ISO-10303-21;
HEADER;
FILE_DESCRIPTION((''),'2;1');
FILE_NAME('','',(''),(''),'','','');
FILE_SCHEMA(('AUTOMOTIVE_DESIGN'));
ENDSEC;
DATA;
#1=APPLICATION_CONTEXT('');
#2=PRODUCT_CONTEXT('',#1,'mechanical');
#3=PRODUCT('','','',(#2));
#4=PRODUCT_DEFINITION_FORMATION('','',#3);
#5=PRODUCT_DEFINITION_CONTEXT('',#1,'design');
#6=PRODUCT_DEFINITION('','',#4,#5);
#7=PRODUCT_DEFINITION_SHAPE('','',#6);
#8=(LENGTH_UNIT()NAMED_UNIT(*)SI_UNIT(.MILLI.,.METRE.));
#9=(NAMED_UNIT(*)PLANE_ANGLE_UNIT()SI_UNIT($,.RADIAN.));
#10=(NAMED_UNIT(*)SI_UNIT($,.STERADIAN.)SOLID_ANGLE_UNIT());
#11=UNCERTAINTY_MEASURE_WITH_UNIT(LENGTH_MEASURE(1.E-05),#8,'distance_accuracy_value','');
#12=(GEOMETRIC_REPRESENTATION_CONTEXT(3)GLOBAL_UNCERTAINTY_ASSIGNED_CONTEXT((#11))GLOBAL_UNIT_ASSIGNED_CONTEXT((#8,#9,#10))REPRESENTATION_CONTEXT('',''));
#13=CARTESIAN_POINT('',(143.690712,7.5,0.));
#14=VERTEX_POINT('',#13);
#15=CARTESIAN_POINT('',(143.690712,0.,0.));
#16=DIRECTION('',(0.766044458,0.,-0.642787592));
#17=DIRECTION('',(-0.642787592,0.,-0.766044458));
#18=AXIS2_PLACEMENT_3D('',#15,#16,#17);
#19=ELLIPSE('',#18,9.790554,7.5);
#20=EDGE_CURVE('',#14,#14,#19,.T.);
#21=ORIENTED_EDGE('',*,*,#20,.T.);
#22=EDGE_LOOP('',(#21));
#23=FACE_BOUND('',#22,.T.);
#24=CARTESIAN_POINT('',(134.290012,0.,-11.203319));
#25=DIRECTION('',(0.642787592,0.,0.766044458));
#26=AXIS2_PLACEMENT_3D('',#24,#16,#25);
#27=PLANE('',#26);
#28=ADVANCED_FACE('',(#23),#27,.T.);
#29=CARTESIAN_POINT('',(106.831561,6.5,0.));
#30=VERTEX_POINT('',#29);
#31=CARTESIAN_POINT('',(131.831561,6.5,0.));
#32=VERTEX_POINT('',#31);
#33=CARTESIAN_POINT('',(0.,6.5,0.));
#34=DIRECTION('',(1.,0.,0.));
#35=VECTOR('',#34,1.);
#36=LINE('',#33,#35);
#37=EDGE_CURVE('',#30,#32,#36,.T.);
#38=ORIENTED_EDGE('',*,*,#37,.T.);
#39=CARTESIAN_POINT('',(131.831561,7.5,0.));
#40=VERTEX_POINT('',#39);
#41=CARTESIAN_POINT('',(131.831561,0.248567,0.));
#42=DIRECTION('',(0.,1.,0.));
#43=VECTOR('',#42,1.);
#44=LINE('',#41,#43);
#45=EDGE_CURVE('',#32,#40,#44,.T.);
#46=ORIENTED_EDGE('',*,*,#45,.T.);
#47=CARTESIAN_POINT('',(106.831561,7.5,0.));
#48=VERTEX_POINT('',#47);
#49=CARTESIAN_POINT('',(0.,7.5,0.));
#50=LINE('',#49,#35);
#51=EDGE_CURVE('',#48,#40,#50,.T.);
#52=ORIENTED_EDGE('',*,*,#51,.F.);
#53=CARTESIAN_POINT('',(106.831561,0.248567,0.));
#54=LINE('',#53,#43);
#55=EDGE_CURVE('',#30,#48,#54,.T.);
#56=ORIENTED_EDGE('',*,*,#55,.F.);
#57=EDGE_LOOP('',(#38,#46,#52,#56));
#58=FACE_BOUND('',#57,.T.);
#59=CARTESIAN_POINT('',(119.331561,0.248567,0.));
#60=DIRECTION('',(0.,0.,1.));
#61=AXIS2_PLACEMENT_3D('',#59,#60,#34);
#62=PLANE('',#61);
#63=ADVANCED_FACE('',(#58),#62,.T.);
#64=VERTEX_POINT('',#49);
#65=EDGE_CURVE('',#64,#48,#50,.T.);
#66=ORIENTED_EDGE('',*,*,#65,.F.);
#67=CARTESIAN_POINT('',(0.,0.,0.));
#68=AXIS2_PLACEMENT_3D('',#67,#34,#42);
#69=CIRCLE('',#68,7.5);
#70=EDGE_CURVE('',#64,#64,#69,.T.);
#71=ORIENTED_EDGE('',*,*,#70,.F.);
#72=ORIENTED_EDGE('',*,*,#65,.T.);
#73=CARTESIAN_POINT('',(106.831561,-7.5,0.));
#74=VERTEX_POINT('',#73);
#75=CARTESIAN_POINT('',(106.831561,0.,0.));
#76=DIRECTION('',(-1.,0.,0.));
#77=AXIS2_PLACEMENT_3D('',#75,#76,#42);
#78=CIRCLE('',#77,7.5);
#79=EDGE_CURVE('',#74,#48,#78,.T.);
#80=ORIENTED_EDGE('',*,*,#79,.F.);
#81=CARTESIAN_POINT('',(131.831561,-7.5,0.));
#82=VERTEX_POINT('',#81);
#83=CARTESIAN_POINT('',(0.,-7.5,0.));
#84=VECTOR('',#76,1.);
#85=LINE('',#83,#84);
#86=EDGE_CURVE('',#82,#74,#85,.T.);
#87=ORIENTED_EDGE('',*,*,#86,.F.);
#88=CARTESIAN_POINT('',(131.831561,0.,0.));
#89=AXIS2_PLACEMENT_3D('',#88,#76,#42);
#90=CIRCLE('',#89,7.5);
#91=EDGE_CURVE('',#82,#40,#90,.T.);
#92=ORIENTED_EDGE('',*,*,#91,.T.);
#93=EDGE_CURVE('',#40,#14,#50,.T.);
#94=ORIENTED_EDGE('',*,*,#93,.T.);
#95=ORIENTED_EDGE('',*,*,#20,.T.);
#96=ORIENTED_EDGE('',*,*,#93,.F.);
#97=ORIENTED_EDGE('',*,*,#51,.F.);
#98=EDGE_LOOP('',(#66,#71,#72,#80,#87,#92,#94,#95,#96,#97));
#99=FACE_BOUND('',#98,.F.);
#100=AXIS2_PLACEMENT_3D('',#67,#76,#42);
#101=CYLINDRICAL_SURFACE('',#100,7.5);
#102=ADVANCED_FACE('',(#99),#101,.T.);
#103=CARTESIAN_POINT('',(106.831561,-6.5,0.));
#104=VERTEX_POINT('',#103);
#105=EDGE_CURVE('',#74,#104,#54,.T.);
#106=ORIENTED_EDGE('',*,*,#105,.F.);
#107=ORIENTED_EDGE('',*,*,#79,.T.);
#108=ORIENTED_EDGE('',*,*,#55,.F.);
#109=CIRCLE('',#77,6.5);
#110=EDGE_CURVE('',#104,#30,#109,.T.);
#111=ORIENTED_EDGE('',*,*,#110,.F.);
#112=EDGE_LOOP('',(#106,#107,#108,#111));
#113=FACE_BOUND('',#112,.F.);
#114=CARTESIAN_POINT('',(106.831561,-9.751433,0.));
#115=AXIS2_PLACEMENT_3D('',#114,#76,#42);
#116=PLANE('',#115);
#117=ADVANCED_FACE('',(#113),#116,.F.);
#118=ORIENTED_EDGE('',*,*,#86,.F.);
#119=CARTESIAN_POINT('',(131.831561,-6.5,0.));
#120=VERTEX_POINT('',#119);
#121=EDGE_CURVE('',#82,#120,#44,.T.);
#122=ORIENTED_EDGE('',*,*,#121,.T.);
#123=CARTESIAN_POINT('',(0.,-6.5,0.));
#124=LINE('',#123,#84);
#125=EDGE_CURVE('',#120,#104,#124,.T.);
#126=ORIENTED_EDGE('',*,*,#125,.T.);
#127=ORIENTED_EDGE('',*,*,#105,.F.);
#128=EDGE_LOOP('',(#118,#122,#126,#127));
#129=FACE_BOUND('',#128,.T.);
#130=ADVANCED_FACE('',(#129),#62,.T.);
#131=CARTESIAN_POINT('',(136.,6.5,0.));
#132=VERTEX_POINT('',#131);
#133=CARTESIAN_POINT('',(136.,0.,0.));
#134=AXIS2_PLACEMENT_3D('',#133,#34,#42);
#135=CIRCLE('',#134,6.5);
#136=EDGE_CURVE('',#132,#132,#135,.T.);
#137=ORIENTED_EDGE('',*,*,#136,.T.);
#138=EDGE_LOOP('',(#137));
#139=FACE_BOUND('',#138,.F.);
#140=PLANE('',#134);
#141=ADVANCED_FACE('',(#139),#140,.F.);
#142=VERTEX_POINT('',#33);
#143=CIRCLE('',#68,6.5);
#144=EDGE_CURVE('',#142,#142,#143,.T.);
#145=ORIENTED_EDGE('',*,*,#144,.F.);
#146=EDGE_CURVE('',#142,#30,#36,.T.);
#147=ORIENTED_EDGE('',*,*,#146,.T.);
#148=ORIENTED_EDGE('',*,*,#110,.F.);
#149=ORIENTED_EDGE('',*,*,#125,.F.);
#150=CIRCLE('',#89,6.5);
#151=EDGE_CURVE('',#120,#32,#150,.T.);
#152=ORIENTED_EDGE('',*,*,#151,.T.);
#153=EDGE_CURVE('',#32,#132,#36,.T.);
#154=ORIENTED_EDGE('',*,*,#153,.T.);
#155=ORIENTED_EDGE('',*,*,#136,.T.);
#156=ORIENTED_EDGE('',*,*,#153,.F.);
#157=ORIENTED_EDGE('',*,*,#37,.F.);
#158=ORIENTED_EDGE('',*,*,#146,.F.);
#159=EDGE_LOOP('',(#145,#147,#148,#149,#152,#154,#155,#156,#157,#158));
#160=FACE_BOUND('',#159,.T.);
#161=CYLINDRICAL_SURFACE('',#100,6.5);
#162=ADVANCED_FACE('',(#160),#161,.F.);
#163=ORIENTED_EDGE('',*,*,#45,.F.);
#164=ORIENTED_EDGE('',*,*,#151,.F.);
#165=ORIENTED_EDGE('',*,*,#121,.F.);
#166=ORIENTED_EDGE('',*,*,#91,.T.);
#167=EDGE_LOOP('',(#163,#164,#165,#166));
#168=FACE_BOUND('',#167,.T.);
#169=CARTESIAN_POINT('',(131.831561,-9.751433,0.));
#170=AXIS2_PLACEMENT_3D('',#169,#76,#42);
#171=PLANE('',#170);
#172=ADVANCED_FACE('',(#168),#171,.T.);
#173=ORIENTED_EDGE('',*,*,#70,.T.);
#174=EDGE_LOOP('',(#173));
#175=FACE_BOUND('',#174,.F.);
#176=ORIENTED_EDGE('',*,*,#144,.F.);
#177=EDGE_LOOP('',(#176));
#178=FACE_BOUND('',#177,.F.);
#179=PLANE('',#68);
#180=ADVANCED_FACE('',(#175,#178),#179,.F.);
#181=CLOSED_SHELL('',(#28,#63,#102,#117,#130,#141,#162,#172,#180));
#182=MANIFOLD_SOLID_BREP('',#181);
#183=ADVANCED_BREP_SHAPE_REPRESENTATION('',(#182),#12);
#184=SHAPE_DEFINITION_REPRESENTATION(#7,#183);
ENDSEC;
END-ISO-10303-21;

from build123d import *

# Parameters (mm, degrees)
F0_R     = 7.5
F1_DEPTH = 150
F3_DEPTH = 12.5
F4_W     = 25
F4_H     = 20
F5_DEPTH = 36
F6_R     = 6.5
F7_DEPTH = 136


with BuildPart() as f1:
    # F0 (on Right) → F1 (new body)
    with BuildSketch(Plane.YZ):
        Circle(F0_R)
    extrude(amount=F1_DEPTH)

    # F2 (on Front) → F3 (intersect, symmetric)
    with BuildSketch(Plane.XZ):
        Polygon((134.290012, -11.203319), (151.53335, 9.346492), (-5.394438, 11.139952), (-5.394438, -11.203319), align=None)
    extrude(amount=F3_DEPTH, both=True, mode=Mode.INTERSECT)

    # F4 (on Top) → F5 (cut)
    with BuildSketch(Plane.XY):
        with Locations((119.331561, 0.248567)):
            Rectangle(F4_W, F4_H)
    extrude(amount=F5_DEPTH, mode=Mode.SUBTRACT)

    # F6 (on Right) → F7 (cut)
    with BuildSketch(Plane.YZ):
        Circle(F6_R)
    extrude(amount=F7_DEPTH, mode=Mode.SUBTRACT)


solid = f1.part
